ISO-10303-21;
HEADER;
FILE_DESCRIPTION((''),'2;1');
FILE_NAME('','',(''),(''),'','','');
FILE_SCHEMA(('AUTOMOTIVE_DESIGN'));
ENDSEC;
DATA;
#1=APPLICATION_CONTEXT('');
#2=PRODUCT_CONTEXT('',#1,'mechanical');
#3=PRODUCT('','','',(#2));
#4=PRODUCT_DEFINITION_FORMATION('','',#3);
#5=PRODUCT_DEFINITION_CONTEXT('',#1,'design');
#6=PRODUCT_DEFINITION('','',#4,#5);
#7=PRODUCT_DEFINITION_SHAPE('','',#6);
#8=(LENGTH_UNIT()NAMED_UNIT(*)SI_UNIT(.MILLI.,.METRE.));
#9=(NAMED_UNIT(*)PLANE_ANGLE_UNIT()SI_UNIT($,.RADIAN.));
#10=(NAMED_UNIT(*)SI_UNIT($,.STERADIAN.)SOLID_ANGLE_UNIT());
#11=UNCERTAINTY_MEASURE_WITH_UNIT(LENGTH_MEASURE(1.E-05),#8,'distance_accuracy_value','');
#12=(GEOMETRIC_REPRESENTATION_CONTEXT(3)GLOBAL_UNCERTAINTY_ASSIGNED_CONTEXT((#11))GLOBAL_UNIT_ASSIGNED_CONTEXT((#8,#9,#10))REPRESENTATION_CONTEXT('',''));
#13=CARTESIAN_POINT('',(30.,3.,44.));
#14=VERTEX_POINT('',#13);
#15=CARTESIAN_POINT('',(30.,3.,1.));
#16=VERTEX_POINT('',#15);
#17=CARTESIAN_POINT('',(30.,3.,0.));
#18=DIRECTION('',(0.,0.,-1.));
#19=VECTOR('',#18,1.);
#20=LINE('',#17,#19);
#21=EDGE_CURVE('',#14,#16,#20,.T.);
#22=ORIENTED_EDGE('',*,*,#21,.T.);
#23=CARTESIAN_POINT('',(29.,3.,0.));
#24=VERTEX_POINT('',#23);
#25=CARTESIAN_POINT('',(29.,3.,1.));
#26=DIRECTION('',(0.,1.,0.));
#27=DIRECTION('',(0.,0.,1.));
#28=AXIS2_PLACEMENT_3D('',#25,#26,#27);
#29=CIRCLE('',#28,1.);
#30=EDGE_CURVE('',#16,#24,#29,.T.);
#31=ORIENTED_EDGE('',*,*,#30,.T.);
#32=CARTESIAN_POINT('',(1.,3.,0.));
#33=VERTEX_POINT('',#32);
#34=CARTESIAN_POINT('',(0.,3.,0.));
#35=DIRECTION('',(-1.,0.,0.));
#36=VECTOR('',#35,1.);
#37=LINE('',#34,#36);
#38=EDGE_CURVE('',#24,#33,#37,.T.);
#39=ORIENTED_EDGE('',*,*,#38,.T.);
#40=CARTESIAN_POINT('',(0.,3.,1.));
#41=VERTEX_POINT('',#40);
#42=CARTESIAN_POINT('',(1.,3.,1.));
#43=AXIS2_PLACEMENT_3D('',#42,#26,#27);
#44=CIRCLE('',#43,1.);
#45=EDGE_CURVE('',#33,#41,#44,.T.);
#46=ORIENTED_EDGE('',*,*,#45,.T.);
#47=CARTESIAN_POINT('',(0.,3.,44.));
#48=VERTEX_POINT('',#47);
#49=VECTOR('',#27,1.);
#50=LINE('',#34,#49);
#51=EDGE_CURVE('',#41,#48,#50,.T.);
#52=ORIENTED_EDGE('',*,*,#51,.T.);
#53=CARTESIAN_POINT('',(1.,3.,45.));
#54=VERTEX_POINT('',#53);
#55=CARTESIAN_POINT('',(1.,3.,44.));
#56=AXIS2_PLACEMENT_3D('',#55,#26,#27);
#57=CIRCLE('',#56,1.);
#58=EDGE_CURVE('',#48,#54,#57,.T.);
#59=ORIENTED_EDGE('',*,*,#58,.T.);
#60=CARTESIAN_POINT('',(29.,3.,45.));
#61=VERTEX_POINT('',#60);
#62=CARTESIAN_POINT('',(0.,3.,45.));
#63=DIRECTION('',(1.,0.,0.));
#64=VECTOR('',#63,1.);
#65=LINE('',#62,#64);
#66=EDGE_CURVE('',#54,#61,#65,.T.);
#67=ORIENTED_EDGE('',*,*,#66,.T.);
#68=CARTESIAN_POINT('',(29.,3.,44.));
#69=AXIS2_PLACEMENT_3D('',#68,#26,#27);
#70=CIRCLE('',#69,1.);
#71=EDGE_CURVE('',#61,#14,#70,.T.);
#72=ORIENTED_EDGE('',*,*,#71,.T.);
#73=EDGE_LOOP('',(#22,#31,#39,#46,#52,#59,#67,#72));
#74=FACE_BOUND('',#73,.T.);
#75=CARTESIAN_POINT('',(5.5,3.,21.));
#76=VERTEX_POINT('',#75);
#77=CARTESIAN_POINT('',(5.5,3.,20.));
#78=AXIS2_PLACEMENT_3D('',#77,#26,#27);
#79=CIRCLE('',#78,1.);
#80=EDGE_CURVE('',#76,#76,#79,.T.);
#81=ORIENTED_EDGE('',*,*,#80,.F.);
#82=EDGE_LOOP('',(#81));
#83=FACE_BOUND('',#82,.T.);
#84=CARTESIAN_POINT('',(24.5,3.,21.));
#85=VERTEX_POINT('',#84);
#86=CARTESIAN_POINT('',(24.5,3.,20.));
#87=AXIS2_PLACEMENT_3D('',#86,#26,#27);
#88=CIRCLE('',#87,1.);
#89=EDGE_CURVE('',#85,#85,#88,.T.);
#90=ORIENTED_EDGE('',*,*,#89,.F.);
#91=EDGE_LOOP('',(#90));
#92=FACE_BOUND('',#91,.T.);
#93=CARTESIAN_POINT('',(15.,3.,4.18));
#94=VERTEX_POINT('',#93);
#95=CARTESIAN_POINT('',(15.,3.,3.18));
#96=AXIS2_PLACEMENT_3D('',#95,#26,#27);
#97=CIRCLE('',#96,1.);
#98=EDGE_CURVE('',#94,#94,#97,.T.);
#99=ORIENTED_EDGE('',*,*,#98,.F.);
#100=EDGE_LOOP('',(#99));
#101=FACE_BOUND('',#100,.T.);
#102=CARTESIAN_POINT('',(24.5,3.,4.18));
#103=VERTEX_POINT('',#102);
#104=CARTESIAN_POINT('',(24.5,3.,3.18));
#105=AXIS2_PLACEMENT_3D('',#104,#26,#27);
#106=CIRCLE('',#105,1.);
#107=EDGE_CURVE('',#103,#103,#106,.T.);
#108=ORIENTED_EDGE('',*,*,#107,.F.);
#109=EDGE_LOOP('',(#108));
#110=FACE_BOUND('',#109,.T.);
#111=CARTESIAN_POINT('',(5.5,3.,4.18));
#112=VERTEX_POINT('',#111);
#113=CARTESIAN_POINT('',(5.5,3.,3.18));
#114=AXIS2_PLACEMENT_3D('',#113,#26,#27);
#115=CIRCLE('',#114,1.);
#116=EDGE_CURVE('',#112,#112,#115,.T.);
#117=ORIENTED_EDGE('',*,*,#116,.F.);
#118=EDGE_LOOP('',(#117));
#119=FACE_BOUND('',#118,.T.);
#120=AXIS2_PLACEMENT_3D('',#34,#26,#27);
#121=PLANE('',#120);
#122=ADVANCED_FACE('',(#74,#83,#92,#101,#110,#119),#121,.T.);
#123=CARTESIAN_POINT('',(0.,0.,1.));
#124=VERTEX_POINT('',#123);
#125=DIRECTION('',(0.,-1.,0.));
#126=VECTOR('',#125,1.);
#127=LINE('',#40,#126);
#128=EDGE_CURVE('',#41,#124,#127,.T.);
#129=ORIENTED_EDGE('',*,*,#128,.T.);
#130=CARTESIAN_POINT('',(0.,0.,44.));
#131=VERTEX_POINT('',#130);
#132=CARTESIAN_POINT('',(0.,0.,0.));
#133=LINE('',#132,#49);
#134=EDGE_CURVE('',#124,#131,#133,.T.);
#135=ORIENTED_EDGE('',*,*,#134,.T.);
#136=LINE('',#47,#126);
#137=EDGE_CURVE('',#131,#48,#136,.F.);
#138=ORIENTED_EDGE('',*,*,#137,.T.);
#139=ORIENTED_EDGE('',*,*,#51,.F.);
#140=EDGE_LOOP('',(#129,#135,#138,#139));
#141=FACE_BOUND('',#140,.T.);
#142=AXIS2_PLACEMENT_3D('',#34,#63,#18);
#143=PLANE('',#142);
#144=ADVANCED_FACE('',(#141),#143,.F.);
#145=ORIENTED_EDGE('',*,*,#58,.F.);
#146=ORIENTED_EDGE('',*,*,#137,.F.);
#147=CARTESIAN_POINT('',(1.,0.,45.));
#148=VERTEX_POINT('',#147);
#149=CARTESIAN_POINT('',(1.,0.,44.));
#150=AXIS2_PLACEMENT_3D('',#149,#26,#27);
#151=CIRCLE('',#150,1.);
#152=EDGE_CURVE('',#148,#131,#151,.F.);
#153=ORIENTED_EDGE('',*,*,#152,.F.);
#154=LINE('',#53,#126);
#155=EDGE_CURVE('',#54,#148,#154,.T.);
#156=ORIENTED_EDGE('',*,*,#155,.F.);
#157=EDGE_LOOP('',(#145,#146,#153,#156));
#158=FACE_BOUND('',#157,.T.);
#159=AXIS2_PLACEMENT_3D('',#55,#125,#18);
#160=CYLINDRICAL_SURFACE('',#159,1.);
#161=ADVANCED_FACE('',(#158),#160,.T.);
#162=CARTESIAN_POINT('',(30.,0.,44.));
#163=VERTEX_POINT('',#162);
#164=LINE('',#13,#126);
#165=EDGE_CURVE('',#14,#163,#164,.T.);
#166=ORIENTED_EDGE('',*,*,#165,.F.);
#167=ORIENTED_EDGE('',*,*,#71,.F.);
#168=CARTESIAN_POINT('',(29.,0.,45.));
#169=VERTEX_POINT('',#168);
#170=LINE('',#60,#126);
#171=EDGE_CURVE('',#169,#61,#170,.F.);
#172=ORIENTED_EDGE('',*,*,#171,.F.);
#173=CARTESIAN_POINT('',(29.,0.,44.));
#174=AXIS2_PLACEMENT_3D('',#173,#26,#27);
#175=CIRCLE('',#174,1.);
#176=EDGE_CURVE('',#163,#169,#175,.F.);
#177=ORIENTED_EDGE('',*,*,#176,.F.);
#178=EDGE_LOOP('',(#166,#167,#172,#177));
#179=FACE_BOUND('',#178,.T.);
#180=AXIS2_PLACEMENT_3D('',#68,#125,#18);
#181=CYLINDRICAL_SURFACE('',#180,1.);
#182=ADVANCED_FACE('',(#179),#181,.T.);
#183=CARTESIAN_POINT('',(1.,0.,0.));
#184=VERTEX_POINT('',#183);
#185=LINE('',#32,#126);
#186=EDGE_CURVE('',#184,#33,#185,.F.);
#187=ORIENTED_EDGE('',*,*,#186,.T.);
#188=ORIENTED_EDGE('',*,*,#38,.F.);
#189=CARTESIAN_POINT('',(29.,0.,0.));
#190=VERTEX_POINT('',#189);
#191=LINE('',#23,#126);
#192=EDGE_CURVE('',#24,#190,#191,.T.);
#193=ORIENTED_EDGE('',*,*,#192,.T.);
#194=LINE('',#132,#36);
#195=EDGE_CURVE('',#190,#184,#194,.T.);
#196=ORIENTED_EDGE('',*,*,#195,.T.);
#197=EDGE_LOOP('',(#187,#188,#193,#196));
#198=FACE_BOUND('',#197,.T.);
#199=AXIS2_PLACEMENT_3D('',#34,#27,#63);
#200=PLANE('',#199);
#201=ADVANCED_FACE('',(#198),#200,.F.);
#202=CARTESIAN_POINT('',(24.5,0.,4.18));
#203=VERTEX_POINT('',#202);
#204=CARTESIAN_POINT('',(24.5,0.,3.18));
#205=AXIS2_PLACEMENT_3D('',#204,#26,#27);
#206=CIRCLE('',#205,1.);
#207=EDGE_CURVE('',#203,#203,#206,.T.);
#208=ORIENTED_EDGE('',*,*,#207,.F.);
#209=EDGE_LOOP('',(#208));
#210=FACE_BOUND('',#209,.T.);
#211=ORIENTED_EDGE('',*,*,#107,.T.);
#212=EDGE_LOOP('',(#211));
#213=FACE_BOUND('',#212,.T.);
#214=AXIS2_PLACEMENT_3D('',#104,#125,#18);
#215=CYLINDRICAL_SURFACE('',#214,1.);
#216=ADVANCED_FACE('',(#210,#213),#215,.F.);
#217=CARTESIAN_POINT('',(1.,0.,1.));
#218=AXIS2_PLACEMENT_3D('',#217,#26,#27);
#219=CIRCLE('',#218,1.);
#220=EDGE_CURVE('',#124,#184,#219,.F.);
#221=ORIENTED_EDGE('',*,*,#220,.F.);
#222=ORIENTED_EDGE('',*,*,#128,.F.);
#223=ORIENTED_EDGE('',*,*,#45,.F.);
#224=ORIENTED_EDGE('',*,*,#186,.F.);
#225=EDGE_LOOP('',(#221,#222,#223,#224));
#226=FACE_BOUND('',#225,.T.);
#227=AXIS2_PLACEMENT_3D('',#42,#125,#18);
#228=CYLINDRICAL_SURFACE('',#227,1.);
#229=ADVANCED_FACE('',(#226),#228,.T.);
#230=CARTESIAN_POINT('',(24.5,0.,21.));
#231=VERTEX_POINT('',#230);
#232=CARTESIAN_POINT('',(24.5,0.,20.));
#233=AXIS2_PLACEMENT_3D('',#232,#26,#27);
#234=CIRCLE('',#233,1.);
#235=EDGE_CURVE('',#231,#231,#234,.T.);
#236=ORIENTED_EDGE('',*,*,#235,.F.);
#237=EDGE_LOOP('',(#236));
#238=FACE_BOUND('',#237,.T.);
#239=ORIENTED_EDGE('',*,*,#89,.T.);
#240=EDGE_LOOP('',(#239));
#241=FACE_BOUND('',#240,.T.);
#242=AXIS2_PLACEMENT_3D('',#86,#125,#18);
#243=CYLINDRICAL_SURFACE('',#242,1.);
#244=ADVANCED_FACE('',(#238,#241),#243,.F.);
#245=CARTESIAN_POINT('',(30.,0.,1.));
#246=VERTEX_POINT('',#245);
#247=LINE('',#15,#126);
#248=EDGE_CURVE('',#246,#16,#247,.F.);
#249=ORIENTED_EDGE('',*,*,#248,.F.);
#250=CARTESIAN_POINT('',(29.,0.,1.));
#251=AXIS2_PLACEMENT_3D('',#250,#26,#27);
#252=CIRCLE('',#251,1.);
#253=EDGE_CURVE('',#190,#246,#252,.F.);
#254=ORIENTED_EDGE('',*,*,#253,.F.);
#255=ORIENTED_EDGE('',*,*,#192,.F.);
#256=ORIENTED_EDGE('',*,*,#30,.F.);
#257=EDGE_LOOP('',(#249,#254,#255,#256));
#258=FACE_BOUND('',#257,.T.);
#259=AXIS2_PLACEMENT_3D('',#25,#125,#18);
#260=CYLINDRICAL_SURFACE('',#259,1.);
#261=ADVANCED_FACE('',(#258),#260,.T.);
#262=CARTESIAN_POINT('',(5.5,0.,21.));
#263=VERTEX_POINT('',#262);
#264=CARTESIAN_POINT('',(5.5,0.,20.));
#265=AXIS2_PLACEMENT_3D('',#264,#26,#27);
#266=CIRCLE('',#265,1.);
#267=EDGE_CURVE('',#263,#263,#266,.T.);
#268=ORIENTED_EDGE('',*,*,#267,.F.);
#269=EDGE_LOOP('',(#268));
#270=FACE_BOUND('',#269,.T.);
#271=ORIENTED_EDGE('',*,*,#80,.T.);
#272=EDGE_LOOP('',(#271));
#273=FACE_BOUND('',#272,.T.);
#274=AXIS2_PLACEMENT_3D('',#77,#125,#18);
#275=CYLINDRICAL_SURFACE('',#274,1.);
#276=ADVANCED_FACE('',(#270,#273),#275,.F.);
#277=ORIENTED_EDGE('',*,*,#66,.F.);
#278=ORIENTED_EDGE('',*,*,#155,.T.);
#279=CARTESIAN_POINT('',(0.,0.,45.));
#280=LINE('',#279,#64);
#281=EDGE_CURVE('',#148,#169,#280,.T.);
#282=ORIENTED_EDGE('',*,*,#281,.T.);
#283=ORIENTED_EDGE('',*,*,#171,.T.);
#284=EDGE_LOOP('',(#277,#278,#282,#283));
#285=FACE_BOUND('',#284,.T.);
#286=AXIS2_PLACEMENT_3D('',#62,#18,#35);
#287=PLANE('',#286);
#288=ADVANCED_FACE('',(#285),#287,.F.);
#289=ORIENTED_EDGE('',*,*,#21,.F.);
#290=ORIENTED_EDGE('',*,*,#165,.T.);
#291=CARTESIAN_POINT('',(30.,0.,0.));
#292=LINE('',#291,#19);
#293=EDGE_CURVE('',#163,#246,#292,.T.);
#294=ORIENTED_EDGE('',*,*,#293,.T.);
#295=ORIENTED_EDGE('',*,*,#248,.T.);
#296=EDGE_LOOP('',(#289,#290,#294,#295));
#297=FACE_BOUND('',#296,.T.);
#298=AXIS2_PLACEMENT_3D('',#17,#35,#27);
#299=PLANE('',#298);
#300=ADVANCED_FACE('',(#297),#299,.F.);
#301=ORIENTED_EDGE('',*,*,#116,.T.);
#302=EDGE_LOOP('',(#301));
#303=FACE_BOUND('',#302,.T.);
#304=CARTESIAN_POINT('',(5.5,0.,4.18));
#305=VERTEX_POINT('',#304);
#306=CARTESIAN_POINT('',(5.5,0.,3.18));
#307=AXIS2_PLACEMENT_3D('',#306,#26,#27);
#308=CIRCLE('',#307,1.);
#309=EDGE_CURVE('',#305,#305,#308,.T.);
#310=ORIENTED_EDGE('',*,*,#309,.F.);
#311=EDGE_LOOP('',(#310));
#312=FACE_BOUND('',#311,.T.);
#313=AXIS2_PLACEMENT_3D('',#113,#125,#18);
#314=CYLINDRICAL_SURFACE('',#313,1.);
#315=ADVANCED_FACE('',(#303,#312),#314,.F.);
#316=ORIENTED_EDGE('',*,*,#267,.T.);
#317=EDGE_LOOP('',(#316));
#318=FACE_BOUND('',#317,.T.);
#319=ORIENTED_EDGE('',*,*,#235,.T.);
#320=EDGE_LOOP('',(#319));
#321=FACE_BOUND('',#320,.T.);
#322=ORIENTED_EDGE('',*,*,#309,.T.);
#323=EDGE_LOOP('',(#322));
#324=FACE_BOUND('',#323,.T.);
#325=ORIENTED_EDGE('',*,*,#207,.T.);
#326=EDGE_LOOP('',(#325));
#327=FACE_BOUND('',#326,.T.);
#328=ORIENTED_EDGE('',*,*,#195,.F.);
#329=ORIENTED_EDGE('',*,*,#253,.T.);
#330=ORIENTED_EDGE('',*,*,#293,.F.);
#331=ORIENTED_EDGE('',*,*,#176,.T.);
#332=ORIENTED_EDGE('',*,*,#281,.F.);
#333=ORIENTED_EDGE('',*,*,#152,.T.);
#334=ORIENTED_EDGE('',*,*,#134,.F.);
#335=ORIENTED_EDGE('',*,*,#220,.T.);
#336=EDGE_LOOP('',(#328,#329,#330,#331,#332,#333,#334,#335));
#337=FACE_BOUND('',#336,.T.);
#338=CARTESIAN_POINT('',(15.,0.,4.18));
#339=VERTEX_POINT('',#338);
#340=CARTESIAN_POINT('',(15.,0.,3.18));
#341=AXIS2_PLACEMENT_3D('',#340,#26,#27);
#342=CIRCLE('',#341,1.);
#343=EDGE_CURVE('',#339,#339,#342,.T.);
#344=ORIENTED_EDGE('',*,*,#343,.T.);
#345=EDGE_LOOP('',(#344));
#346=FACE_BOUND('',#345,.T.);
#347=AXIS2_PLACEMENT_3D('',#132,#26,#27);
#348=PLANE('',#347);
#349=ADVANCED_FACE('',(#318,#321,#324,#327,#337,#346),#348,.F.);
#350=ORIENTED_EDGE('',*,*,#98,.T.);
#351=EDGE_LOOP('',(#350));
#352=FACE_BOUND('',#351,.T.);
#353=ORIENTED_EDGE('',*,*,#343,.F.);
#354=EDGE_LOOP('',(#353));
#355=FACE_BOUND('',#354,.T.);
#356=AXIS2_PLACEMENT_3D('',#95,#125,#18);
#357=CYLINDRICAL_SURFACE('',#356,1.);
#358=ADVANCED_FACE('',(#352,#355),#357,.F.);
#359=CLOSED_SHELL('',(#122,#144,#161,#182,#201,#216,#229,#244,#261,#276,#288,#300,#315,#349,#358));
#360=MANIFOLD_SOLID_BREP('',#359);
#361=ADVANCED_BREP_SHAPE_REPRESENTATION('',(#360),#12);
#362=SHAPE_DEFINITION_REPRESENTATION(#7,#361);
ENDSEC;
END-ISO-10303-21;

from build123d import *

# Parameters (mm, degrees)
SKETCH1_W           = 30
SKETCH1_H           = 45
SKETCH1_R           = 1
BOSS_EXTRUDE1_DEPTH = 3
FILLET1_R           = 1


with BuildPart() as part:
    # Sketch1 → Boss-Extrude1 (new body)
    with BuildSketch(Plane(origin=(0, 0, 0), x_dir=(1, 0, 0), z_dir=(0, 1, 0))):
        with Locations((15, -22.5)):
            Rectangle(SKETCH1_W, SKETCH1_H)
        with Locations(Location((15, -3.18, 0), (0, 0, 270))):
            Circle(SKETCH1_R, mode=Mode.SUBTRACT)
        with Locations(Location((5.5, -20, 0), (0, 0, 270))):
            Circle(SKETCH1_R, mode=Mode.SUBTRACT)
        with Locations(Location((24.5, -20, 0), (0, 0, 270))):
            Circle(SKETCH1_R, mode=Mode.SUBTRACT)
        with Locations(Location((24.5, -3.18, 0), (0, 0, 270))):
            Circle(SKETCH1_R, mode=Mode.SUBTRACT)
        with Locations(Location((5.5, -3.18, 0), (0, 0, 270))):
            Circle(SKETCH1_R, mode=Mode.SUBTRACT)
    extrude(amount=BOSS_EXTRUDE1_DEPTH)

    # Fillet1
    fillet1_edges = [part.edges().sort_by_distance(p)[0] for p in [
        (0, 1.5, 0),
        (30, 1.5, 0),
        (30, 1.5, 45),
        (0, 1.5, 45),
    ]]
    fillet(fillet1_edges, radius=FILLET1_R)


solid = part.part
